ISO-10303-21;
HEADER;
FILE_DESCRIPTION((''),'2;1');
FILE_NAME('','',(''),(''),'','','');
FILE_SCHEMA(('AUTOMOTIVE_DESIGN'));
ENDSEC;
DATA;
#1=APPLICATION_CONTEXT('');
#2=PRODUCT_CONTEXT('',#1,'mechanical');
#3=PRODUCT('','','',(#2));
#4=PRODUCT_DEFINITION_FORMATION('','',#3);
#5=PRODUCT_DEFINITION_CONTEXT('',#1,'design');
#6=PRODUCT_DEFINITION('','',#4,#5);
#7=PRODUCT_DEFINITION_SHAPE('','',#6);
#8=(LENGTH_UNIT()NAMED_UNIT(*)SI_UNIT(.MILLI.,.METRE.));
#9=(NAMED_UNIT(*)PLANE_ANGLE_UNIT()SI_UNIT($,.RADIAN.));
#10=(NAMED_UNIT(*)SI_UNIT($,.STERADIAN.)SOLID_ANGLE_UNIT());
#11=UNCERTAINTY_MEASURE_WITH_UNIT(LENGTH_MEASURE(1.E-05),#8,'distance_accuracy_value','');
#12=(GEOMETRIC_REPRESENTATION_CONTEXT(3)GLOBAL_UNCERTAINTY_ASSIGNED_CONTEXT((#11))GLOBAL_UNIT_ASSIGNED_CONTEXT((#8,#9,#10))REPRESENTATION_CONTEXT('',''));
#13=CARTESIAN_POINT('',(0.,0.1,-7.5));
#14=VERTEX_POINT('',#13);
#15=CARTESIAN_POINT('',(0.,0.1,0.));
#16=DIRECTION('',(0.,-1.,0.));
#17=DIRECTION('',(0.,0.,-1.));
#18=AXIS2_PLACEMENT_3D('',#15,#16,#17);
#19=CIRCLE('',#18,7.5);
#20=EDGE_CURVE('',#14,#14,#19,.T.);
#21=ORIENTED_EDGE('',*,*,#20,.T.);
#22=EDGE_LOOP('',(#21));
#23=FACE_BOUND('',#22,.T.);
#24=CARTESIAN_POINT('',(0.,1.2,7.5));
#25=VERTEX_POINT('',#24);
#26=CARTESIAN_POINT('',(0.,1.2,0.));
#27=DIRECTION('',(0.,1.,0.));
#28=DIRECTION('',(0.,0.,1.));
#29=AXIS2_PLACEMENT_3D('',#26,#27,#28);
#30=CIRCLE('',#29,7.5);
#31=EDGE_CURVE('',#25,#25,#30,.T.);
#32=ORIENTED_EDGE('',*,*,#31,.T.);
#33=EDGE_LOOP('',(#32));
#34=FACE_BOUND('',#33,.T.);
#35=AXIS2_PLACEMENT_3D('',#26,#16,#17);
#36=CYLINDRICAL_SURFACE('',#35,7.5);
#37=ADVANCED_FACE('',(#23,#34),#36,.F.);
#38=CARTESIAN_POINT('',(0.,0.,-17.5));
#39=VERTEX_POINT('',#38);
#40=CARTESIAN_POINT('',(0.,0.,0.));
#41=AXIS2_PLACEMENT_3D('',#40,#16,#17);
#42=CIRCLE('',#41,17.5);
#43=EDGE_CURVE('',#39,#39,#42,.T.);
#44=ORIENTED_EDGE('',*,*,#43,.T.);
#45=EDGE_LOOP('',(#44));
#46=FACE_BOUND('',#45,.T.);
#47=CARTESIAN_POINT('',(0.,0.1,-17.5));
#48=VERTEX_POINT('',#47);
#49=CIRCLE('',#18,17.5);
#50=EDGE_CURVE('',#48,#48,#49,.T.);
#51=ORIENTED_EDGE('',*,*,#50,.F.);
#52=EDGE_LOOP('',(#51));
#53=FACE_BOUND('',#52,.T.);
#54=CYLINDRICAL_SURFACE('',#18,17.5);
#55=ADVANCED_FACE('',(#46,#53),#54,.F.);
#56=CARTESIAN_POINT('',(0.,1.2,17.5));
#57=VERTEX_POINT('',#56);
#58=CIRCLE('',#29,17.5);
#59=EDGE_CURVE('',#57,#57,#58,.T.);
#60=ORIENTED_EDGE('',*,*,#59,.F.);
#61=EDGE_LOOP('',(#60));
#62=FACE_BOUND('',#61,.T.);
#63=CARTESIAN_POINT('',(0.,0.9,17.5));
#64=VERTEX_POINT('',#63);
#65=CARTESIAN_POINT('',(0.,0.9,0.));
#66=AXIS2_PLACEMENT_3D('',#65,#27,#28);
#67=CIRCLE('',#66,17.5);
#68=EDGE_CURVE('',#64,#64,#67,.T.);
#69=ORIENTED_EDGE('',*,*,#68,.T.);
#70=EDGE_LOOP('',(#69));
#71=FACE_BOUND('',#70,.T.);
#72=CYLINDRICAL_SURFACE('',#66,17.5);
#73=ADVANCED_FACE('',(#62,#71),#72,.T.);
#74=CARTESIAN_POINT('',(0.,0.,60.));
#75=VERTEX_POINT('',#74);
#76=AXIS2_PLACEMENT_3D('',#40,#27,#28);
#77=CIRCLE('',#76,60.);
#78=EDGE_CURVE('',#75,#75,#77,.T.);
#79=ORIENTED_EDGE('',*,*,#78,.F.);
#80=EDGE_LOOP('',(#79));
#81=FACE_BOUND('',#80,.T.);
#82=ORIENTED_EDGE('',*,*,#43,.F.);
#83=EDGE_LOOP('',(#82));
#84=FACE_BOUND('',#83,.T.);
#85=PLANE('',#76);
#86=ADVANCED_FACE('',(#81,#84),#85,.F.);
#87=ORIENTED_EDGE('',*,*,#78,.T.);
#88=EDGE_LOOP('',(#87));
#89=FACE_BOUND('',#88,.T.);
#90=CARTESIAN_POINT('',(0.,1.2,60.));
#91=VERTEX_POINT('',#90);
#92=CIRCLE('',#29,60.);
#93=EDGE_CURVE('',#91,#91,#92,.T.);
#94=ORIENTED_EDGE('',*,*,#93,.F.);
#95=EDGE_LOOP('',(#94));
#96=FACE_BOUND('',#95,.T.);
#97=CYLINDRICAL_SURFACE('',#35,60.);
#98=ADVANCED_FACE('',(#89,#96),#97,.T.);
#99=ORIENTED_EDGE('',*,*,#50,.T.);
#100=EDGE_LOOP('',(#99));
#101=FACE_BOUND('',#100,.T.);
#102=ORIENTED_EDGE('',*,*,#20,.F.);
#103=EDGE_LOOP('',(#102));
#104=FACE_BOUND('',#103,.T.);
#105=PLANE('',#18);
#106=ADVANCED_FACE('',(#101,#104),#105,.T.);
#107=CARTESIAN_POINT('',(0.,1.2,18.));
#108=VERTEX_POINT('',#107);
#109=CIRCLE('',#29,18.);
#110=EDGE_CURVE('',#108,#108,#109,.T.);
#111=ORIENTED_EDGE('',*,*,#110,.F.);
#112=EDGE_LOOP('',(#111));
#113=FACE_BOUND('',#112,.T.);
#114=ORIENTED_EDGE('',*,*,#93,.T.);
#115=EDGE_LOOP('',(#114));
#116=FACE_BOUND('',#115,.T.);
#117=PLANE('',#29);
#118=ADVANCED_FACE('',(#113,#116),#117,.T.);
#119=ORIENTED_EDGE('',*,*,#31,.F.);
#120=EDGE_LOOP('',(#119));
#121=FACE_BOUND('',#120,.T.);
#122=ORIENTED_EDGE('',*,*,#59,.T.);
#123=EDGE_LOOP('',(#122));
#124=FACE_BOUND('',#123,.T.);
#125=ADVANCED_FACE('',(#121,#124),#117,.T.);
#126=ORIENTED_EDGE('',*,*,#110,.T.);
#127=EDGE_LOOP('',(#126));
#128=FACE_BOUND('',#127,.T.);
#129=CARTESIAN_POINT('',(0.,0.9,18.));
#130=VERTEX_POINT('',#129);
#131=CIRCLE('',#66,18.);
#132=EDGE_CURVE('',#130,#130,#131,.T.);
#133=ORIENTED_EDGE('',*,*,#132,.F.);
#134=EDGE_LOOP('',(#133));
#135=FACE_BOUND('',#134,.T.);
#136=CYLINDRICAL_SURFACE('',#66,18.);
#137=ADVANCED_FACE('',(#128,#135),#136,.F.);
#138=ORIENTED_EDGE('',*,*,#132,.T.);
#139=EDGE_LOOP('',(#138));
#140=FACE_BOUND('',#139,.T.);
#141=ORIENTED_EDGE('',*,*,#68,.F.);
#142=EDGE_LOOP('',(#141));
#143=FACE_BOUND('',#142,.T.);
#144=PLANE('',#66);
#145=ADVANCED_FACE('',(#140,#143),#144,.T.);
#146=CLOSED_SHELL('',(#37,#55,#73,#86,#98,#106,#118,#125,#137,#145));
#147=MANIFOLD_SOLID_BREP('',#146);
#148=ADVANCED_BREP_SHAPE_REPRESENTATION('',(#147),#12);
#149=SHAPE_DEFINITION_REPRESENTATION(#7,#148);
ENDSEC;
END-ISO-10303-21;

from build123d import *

# Parameters (mm, degrees)
SKETCH1_R           = 60
SKETCH1_R_2         = 7.5
BOSS_EXTRUDE1_DEPTH = 1.2
SKETCH2_R           = 18
SKETCH2_R_2         = 17.5
CUT_EXTRUDE1_DEPTH  = 0.3
SKETCH4_R           = 17.5
CUT_EXTRUDE2_DEPTH  = 0.1


with BuildPart() as part:
    # Sketch1 → Boss-Extrude1 (new body)
    with BuildSketch(Plane(origin=(0, 0, 0), x_dir=(1, 0, 0), z_dir=(0, 1, 0))):
        Circle(SKETCH1_R)
        Circle(SKETCH1_R_2, mode=Mode.SUBTRACT)
    extrude(amount=BOSS_EXTRUDE1_DEPTH)

    # Sketch2 → Cut-Extrude1 (cut)
    with BuildSketch(Plane(origin=(0, 1.2, 0), x_dir=(1, 0, 0), z_dir=(0, 1, 0))):
        Circle(SKETCH2_R)
        Circle(SKETCH2_R_2, mode=Mode.SUBTRACT)
    extrude(amount=-CUT_EXTRUDE1_DEPTH, mode=Mode.SUBTRACT)

    # Sketch4 → Cut-Extrude2 (cut)
    with BuildSketch(Plane.XZ):
        Circle(SKETCH4_R)
    extrude(amount=-CUT_EXTRUDE2_DEPTH, mode=Mode.SUBTRACT)


solid = part.part
